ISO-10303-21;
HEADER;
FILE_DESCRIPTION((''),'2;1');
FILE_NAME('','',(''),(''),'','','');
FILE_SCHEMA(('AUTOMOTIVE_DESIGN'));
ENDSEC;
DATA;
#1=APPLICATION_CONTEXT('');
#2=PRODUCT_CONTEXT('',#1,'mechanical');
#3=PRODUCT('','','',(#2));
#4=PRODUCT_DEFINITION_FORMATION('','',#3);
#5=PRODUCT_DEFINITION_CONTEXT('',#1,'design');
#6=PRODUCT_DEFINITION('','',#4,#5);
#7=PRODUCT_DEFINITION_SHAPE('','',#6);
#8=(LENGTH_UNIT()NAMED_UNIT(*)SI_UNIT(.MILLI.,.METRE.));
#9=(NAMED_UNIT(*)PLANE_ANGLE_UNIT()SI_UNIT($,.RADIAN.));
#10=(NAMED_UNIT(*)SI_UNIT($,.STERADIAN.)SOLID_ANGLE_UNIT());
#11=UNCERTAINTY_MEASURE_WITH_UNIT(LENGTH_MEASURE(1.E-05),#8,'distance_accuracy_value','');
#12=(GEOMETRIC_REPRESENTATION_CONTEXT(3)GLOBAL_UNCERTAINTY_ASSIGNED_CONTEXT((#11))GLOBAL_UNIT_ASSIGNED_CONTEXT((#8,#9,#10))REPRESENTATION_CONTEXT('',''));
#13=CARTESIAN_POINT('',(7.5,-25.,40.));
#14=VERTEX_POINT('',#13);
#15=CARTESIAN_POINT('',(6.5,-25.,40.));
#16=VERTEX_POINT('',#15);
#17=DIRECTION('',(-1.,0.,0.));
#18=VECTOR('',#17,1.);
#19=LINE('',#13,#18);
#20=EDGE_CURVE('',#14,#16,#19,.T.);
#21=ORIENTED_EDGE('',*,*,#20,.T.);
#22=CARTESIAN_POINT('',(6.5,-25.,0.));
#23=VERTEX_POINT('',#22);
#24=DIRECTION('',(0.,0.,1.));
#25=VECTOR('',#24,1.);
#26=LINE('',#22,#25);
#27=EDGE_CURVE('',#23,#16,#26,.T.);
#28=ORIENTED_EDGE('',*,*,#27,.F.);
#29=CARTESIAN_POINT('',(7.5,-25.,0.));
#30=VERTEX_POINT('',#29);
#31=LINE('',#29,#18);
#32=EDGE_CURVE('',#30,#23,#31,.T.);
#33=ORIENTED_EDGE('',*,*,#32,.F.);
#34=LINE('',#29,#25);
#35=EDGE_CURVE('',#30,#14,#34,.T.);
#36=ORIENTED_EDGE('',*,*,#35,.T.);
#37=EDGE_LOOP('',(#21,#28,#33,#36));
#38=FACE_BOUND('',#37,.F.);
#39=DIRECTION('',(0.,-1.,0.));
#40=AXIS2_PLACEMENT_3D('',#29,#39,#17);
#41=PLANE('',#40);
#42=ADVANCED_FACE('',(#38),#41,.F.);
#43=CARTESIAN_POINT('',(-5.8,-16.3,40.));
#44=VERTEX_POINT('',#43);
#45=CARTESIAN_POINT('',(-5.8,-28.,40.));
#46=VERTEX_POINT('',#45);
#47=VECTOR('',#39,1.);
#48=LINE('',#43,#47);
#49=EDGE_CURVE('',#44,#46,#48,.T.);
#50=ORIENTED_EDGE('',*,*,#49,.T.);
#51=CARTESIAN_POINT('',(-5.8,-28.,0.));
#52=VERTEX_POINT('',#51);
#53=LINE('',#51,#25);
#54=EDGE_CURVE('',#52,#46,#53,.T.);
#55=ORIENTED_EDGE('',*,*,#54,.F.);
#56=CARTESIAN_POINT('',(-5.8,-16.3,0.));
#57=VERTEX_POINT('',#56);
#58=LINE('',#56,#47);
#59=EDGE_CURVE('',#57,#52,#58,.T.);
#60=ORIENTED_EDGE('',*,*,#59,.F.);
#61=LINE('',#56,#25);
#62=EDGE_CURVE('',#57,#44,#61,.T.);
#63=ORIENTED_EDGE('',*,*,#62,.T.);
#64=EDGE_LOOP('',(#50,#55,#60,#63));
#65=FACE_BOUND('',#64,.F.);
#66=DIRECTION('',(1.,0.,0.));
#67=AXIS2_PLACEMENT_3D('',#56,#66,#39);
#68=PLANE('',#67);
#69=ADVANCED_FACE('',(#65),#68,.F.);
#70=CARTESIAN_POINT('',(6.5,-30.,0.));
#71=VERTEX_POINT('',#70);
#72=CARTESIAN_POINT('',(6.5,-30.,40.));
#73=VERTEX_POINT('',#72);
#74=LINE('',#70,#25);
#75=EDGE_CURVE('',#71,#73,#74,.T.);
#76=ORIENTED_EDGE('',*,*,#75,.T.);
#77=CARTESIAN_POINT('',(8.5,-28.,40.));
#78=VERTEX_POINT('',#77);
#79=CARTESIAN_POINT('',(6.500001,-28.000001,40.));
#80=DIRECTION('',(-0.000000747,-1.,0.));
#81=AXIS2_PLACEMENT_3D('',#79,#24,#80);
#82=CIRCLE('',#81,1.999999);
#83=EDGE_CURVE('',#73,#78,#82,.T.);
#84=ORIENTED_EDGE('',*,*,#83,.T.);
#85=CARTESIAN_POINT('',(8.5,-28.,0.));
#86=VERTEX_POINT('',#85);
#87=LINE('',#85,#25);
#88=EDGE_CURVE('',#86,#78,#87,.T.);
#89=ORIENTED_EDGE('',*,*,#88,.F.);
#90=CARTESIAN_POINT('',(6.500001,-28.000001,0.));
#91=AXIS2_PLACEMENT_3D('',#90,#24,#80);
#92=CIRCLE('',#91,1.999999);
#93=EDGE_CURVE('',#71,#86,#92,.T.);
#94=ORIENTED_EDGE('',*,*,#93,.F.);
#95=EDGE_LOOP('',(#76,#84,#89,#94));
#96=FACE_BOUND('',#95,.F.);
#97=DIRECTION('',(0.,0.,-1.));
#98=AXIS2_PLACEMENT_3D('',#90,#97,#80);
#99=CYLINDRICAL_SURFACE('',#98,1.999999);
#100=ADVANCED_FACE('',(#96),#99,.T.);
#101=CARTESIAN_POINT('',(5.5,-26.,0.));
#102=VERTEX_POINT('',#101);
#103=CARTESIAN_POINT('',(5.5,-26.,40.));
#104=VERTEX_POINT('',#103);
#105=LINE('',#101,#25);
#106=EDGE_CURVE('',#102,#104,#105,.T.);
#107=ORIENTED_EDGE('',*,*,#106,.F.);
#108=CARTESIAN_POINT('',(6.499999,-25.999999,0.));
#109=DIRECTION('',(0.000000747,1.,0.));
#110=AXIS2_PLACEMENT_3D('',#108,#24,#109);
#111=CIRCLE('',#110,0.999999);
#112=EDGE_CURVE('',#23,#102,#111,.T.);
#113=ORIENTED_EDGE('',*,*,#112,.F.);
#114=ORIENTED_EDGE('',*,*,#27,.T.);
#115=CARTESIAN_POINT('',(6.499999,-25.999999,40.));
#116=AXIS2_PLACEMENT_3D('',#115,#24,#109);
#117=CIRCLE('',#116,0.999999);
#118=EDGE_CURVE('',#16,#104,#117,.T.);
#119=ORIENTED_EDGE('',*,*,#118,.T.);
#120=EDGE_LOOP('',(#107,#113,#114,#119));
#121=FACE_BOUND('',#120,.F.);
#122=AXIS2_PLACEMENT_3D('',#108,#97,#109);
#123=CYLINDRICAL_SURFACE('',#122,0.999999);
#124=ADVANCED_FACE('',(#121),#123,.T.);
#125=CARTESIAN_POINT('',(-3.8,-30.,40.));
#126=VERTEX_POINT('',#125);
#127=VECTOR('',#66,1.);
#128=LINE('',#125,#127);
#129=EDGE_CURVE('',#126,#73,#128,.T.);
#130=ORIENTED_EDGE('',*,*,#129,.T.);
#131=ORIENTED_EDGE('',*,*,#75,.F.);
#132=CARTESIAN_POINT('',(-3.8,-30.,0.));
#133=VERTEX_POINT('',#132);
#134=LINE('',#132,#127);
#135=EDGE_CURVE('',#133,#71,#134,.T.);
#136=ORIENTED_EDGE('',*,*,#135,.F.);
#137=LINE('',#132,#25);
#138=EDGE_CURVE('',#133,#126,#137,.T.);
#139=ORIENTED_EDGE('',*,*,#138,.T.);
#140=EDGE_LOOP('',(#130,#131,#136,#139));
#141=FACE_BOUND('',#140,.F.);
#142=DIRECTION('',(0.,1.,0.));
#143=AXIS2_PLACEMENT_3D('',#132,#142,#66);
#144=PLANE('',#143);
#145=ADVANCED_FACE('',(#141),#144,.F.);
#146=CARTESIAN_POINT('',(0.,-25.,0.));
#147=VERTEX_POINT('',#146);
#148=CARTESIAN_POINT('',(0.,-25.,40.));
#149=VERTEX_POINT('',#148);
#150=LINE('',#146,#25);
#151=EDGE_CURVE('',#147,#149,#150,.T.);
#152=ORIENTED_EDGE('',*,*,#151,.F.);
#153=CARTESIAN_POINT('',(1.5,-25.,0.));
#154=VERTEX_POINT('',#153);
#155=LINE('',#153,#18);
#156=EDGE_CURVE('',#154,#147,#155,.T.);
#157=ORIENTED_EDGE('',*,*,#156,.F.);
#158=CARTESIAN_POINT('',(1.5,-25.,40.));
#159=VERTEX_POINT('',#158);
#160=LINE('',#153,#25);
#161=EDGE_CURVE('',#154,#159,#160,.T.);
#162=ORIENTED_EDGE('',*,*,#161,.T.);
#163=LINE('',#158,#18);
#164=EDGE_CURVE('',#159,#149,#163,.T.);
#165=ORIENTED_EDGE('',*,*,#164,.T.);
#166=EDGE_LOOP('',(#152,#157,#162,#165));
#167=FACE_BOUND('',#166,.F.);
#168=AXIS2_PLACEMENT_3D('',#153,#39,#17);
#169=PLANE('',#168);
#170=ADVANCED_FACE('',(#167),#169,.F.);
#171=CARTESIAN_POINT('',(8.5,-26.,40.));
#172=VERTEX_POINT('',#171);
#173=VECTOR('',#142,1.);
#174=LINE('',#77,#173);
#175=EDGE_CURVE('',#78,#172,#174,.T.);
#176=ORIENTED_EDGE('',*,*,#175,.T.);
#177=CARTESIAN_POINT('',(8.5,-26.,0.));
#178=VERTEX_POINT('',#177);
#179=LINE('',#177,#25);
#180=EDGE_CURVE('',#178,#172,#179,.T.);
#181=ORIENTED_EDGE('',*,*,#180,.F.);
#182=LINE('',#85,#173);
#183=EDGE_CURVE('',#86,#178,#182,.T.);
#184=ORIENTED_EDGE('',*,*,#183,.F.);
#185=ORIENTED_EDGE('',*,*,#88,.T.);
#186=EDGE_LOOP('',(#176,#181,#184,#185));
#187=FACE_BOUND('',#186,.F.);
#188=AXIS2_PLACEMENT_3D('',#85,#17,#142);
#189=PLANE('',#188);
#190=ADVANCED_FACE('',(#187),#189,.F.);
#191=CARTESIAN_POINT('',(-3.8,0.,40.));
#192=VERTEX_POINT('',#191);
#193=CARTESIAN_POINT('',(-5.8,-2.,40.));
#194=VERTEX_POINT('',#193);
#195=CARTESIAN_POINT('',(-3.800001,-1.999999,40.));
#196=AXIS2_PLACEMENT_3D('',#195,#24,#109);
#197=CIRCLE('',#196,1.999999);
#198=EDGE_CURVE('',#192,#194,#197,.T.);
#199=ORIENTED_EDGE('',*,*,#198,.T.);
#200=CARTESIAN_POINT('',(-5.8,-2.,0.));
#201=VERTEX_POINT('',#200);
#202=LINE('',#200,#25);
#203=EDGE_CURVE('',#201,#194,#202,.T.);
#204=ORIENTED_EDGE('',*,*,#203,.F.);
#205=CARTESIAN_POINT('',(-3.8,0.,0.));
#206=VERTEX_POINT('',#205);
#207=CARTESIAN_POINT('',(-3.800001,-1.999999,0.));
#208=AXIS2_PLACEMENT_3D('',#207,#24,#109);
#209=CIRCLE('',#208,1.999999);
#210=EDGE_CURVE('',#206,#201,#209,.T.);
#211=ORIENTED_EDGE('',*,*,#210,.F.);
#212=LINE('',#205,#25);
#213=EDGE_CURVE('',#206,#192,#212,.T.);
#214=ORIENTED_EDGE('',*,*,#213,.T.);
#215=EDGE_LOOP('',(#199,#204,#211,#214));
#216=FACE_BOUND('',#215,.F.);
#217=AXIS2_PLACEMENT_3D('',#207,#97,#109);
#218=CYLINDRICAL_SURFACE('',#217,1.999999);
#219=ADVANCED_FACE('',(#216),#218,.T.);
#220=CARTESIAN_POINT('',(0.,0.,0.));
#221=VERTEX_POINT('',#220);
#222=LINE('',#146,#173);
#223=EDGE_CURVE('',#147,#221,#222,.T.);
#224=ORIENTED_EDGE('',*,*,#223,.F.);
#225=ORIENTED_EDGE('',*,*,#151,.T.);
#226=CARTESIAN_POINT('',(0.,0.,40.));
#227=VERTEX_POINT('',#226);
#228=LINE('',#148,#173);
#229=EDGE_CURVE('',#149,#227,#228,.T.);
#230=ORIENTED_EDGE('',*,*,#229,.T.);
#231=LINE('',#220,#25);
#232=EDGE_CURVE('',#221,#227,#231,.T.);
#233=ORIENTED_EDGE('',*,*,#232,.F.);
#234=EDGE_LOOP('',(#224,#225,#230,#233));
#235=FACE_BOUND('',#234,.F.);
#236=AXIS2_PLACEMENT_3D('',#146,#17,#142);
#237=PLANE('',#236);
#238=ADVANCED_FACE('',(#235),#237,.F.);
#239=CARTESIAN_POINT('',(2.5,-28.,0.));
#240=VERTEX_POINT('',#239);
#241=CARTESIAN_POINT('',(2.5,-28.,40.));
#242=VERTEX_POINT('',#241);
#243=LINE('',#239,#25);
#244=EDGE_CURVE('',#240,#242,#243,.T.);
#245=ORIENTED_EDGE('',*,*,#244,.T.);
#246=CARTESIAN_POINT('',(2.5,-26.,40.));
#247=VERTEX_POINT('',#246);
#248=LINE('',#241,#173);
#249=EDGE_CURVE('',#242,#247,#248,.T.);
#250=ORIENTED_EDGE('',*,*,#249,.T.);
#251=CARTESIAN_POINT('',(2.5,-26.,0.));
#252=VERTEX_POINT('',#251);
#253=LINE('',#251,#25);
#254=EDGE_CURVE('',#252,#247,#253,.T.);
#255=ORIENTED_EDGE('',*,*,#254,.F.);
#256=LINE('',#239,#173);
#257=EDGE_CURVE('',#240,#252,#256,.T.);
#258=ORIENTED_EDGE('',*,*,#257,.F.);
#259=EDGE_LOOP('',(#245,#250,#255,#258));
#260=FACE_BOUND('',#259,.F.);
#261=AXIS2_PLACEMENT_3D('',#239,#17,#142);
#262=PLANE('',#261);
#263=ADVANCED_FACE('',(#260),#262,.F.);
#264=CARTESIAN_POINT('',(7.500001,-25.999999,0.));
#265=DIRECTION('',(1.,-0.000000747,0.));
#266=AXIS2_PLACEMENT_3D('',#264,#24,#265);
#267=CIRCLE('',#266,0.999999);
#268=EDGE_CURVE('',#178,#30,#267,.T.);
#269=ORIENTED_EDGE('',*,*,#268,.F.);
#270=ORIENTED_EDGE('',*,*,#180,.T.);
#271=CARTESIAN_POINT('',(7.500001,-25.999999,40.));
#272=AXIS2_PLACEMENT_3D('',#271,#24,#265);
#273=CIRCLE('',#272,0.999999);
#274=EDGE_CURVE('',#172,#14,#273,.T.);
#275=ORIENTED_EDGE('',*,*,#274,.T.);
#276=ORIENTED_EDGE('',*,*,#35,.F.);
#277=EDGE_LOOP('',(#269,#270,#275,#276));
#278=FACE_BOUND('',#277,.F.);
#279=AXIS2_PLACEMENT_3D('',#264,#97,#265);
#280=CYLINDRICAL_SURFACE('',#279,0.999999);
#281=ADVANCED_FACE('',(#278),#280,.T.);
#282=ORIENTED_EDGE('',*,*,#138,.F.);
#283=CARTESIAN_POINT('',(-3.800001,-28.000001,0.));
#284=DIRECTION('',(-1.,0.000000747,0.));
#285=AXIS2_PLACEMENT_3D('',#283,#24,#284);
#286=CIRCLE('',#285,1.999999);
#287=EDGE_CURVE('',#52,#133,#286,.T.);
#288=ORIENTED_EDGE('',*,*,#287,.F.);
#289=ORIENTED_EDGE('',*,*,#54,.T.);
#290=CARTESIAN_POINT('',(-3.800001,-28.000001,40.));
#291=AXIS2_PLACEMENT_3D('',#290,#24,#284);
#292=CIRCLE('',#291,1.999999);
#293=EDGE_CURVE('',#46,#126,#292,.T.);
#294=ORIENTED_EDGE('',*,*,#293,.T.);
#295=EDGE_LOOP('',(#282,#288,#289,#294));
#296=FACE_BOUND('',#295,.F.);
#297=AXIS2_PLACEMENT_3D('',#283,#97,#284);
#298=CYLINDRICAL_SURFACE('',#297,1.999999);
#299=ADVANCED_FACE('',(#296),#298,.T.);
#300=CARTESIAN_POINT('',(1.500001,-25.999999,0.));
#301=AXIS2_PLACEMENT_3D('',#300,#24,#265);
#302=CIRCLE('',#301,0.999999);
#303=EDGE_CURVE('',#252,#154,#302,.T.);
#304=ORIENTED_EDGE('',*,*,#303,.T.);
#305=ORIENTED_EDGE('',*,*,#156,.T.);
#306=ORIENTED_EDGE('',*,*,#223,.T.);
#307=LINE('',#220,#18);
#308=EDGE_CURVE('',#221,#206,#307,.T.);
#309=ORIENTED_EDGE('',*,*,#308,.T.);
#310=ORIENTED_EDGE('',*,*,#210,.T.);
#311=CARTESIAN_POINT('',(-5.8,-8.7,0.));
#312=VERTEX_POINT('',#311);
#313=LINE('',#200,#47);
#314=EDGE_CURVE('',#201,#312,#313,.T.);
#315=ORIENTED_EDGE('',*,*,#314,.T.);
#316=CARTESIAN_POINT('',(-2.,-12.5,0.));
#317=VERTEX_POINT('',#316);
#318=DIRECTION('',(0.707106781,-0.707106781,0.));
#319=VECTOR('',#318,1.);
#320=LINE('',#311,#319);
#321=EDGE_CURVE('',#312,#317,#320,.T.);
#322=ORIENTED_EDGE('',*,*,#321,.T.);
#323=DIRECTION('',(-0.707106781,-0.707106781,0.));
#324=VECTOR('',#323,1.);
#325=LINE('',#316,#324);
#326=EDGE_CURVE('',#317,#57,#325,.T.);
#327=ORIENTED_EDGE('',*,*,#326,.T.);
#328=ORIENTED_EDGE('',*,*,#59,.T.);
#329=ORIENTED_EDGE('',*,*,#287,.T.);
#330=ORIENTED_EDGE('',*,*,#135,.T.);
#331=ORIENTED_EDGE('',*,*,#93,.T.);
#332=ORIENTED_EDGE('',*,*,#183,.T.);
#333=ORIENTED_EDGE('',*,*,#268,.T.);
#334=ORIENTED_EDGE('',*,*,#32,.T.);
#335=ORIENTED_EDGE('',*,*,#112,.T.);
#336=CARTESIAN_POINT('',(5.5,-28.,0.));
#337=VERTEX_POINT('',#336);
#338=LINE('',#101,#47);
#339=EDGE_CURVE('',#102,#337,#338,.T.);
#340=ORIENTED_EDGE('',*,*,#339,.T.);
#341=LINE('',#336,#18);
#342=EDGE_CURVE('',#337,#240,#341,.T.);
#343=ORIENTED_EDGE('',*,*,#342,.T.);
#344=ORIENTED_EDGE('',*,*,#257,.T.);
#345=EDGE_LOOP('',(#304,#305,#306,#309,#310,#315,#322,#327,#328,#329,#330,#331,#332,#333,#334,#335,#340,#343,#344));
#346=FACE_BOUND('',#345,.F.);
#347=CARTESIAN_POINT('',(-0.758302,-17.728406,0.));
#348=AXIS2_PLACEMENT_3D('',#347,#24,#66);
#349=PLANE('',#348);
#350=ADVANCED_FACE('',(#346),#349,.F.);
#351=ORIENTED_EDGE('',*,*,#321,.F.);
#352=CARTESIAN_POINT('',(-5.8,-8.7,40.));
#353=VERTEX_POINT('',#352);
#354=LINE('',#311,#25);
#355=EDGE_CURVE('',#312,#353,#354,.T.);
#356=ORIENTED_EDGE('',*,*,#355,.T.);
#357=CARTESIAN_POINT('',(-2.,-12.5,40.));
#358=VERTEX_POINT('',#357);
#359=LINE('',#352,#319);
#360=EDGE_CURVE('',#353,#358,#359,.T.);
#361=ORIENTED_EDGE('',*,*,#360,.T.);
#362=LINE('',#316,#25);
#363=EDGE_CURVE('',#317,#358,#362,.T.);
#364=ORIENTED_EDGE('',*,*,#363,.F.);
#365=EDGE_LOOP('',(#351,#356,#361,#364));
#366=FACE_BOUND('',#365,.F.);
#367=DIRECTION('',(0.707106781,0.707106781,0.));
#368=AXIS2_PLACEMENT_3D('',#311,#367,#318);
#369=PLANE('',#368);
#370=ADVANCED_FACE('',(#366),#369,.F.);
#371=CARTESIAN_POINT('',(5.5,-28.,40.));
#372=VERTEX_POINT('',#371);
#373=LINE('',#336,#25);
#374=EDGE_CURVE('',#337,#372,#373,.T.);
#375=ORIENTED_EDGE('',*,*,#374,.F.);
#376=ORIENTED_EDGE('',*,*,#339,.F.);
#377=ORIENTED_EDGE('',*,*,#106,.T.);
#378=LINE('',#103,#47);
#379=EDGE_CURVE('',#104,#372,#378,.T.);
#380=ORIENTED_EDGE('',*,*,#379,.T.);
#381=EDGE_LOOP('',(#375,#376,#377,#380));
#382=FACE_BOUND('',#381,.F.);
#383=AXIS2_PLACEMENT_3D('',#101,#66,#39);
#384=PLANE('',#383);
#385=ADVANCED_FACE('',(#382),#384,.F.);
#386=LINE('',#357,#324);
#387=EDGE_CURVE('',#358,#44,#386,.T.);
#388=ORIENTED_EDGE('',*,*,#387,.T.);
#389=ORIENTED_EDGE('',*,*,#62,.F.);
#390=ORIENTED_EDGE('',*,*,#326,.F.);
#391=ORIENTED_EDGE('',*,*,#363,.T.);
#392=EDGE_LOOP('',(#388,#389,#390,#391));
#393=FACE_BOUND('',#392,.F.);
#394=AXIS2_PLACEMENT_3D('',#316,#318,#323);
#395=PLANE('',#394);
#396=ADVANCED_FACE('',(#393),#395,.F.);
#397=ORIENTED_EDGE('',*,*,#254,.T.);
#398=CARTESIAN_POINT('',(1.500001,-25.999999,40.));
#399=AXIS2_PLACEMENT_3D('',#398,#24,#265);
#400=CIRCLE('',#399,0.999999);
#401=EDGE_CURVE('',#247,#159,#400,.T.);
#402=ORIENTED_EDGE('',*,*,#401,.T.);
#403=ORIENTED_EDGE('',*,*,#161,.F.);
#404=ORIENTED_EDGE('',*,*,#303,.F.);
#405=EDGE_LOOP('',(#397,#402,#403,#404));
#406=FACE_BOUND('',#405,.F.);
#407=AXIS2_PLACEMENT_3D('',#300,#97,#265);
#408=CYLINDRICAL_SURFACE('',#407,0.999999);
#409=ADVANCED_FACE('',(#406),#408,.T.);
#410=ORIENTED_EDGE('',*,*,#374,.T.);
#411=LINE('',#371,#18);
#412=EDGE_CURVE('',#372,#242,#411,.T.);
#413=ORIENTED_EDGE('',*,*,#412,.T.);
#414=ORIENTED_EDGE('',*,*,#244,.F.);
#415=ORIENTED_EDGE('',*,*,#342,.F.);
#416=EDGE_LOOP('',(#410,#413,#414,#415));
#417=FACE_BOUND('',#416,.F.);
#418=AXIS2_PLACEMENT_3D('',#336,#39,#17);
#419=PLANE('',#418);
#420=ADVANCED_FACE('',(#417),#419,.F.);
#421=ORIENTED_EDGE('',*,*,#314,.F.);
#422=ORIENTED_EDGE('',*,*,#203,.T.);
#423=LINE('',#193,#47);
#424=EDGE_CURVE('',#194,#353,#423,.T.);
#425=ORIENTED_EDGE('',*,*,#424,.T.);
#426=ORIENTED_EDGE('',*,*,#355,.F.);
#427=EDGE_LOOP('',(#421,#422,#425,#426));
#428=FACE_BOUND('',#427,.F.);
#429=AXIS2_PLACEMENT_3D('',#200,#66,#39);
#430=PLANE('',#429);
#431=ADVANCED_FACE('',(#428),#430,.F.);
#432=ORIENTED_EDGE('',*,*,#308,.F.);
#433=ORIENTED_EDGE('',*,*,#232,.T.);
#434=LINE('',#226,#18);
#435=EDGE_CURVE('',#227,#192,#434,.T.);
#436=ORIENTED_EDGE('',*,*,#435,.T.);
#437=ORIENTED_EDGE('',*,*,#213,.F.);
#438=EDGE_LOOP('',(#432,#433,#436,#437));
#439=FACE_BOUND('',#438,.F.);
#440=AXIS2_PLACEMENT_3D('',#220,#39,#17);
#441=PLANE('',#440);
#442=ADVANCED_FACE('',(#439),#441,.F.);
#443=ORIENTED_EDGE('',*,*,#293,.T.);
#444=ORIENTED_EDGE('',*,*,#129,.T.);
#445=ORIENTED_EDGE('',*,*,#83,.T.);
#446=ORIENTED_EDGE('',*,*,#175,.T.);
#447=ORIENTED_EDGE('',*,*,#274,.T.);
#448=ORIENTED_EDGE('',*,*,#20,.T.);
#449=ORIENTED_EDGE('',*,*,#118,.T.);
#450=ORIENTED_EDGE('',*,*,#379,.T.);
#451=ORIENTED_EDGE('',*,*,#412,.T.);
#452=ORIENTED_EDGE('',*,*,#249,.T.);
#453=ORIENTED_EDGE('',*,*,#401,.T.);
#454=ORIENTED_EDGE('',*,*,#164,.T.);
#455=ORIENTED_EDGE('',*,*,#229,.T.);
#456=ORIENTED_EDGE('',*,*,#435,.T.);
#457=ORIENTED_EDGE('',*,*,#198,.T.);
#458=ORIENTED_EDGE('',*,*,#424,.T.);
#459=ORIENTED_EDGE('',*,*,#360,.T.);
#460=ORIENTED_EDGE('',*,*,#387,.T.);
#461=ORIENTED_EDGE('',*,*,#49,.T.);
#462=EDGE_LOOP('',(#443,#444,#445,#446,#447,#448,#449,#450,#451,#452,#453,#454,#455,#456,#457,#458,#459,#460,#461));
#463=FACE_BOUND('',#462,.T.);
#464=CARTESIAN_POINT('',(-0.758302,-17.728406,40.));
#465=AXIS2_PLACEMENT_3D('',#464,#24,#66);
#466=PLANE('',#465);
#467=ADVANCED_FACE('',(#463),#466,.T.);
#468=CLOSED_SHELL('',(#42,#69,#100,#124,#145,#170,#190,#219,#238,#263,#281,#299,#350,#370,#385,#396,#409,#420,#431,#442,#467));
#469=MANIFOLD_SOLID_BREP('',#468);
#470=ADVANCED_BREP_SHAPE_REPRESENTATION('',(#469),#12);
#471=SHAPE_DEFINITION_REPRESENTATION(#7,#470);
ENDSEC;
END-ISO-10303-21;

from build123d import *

# Parameters (mm, degrees)
F1_DEPTH = 40


with BuildPart() as f1:
    # F0 (on Top) → F1 (new body)
    with BuildSketch(Plane.XY):
        with BuildLine():
            Line((0, -25), (0, 0))
            Line((0, 0), (-3.8, 0))
            ThreePointArc((-3.8, 0), (-5.214214, -0.585786), (-5.8, -2))
            Line((-5.8, -2), (-5.8, -8.7))
            Line((-5.8, -8.7), (-2, -12.5))
            Line((-2, -12.5), (-5.8, -16.3))
            Line((-5.8, -16.3), (-5.8, -25))
            Line((-5.8, -25), (-5.8, -28))
            ThreePointArc((-5.8, -28), (-5.214214, -29.414214), (-3.8, -30))
            Line((-3.8, -30), (0, -30))
            Line((0, -30), (6.5, -30))
            ThreePointArc((6.5, -30), (7.914214, -29.414214), (8.5, -28))
            Line((8.5, -28), (8.5, -26))
            ThreePointArc((8.5, -26), (8.207107, -25.292893), (7.5, -25))
            Line((7.5, -25), (6.5, -25))
            ThreePointArc((6.5, -25), (5.792893, -25.292893), (5.5, -26))
            Line((5.5, -26), (5.5, -28))
            Line((5.5, -28), (2.5, -28))
            Line((2.5, -28), (2.5, -26))
            ThreePointArc((2.5, -26), (2.207107, -25.292893), (1.5, -25))
            Line((1.5, -25), (0, -25))
        make_face()
    extrude(amount=F1_DEPTH)


solid = f1.part
